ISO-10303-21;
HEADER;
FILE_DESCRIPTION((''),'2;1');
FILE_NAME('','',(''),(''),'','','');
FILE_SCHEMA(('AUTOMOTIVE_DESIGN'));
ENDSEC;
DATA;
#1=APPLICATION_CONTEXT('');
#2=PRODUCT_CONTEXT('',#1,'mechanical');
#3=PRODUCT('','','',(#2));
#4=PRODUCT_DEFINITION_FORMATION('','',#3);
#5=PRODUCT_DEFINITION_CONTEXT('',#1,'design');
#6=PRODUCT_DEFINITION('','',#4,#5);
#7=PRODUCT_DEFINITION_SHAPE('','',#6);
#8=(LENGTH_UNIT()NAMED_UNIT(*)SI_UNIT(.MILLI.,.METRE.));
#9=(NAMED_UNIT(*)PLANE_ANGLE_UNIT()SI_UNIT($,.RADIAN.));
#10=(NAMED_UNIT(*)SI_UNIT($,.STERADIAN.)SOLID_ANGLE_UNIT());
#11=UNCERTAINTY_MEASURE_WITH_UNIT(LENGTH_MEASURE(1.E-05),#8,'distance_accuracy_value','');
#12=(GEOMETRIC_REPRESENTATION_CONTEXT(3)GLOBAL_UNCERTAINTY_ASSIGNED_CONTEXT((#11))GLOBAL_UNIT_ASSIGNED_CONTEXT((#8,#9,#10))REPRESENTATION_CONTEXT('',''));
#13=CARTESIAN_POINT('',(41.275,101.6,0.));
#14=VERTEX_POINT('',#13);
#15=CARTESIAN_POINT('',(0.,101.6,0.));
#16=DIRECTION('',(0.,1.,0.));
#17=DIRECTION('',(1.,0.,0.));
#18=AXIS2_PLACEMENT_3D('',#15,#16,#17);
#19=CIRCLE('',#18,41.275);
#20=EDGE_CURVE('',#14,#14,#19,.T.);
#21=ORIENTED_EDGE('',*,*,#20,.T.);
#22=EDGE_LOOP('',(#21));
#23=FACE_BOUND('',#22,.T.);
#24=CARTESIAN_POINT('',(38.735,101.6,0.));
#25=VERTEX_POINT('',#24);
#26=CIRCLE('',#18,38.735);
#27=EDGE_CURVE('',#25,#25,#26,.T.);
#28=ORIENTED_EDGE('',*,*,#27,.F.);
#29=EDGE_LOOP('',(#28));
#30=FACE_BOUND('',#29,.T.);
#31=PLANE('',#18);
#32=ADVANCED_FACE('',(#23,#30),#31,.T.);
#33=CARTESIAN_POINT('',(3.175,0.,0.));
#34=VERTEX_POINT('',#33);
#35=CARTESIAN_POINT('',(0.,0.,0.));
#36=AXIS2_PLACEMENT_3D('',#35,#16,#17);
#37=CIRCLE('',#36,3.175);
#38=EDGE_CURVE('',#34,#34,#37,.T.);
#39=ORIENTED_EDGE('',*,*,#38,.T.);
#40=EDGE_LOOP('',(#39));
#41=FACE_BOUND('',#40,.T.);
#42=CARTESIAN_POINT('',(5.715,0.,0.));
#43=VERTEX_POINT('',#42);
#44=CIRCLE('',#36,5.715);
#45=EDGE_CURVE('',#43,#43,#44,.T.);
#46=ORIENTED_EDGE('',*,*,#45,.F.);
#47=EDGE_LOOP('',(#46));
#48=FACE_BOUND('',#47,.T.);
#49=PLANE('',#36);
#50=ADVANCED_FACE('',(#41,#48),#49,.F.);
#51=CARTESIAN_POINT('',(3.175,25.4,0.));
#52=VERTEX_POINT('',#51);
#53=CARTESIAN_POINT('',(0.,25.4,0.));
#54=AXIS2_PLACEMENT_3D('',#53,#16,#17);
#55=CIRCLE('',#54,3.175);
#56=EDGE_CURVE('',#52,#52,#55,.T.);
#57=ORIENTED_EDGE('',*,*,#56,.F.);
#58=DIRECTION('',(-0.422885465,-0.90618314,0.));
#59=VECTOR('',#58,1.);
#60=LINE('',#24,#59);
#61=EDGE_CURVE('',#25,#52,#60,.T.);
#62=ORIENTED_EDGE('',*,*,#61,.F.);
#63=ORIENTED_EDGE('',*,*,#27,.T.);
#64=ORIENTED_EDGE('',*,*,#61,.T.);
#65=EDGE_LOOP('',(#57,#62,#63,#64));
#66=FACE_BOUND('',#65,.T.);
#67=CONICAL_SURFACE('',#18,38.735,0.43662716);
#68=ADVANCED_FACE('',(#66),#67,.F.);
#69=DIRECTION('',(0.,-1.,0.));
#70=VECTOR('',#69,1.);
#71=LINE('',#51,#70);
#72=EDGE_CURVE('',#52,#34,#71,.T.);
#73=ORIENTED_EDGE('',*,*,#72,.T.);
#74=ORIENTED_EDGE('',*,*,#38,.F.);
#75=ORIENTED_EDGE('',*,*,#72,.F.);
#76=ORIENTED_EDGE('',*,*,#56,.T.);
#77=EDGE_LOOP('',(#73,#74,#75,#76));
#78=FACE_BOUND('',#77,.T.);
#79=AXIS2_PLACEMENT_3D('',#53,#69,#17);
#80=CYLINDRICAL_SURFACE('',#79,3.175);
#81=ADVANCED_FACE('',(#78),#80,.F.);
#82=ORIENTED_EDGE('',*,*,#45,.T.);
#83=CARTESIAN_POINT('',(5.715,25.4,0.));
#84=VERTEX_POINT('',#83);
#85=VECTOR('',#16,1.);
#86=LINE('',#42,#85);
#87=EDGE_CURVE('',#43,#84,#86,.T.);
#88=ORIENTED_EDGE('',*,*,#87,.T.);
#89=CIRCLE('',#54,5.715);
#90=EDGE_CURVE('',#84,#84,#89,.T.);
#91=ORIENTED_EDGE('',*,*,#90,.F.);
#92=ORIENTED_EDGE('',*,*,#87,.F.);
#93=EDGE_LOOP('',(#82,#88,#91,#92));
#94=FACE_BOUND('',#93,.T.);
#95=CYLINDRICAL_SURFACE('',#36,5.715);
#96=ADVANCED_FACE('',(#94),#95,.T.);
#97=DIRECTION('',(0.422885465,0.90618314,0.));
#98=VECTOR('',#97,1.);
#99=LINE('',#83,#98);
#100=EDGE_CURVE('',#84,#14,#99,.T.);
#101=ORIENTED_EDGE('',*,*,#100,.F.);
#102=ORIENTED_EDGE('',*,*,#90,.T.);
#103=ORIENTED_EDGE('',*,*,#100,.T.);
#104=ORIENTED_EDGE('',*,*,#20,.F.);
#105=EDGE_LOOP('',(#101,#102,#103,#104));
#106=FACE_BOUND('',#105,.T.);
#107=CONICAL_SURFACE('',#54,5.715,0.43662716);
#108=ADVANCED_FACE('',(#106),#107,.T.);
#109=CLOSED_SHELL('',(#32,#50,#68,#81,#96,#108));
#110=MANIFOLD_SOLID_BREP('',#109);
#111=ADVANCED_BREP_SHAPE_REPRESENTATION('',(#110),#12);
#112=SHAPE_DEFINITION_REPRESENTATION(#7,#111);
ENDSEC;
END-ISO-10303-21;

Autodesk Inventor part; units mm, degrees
ref_plane "YZ Plane" through (0, 0, 0) normal (1, 0, 0) x (0, 1, 0)
ref_plane "XZ Plane" through (0, 0, 0) normal (0, 1, 0) x (-1, 0, 0)
ref_plane "XY Plane" through (0, 0, 0) normal (0, 0, 1) x (1, 0, 0)
sketch "Sketch1" plane through (0, 0, 0) normal (0, 0, 1) x (1, 0, 0)
  line L0 (5.715, 0) -> (5.715, 25.4)
  line L1 (5.715, 25.4) -> (41.275, 101.6)
  line L2 (41.275, 101.6) -> (38.735, 101.6)
  line L3 (38.735, 101.6) -> (3.175, 25.4)
  line L4 (3.175, 25.4) -> (3.175, 0)
  line L5 (3.175, 0) -> (5.715, 0)
  line L6 (0, 0) -> (5.715, 0) construction
  line L7 (0, 0) -> (0, 101.6) construction
  line L8 (5.715, 25.4) -> (71.0866, 25.4) construction
  dimension "d0" = 2.54
  dimension "d1" = 5.715
  dimension "d2" = 25.4
  dimension "d3" = 101.6
  dimension "d4" = 41.275
  dimension "d7" = 76.2
revolve "Revolution1" add sketch "Sketch1" angle 360 about axis through (0, 0, 0) along (0, 1, 0)
properties part number "funnellForLogSplitter"
